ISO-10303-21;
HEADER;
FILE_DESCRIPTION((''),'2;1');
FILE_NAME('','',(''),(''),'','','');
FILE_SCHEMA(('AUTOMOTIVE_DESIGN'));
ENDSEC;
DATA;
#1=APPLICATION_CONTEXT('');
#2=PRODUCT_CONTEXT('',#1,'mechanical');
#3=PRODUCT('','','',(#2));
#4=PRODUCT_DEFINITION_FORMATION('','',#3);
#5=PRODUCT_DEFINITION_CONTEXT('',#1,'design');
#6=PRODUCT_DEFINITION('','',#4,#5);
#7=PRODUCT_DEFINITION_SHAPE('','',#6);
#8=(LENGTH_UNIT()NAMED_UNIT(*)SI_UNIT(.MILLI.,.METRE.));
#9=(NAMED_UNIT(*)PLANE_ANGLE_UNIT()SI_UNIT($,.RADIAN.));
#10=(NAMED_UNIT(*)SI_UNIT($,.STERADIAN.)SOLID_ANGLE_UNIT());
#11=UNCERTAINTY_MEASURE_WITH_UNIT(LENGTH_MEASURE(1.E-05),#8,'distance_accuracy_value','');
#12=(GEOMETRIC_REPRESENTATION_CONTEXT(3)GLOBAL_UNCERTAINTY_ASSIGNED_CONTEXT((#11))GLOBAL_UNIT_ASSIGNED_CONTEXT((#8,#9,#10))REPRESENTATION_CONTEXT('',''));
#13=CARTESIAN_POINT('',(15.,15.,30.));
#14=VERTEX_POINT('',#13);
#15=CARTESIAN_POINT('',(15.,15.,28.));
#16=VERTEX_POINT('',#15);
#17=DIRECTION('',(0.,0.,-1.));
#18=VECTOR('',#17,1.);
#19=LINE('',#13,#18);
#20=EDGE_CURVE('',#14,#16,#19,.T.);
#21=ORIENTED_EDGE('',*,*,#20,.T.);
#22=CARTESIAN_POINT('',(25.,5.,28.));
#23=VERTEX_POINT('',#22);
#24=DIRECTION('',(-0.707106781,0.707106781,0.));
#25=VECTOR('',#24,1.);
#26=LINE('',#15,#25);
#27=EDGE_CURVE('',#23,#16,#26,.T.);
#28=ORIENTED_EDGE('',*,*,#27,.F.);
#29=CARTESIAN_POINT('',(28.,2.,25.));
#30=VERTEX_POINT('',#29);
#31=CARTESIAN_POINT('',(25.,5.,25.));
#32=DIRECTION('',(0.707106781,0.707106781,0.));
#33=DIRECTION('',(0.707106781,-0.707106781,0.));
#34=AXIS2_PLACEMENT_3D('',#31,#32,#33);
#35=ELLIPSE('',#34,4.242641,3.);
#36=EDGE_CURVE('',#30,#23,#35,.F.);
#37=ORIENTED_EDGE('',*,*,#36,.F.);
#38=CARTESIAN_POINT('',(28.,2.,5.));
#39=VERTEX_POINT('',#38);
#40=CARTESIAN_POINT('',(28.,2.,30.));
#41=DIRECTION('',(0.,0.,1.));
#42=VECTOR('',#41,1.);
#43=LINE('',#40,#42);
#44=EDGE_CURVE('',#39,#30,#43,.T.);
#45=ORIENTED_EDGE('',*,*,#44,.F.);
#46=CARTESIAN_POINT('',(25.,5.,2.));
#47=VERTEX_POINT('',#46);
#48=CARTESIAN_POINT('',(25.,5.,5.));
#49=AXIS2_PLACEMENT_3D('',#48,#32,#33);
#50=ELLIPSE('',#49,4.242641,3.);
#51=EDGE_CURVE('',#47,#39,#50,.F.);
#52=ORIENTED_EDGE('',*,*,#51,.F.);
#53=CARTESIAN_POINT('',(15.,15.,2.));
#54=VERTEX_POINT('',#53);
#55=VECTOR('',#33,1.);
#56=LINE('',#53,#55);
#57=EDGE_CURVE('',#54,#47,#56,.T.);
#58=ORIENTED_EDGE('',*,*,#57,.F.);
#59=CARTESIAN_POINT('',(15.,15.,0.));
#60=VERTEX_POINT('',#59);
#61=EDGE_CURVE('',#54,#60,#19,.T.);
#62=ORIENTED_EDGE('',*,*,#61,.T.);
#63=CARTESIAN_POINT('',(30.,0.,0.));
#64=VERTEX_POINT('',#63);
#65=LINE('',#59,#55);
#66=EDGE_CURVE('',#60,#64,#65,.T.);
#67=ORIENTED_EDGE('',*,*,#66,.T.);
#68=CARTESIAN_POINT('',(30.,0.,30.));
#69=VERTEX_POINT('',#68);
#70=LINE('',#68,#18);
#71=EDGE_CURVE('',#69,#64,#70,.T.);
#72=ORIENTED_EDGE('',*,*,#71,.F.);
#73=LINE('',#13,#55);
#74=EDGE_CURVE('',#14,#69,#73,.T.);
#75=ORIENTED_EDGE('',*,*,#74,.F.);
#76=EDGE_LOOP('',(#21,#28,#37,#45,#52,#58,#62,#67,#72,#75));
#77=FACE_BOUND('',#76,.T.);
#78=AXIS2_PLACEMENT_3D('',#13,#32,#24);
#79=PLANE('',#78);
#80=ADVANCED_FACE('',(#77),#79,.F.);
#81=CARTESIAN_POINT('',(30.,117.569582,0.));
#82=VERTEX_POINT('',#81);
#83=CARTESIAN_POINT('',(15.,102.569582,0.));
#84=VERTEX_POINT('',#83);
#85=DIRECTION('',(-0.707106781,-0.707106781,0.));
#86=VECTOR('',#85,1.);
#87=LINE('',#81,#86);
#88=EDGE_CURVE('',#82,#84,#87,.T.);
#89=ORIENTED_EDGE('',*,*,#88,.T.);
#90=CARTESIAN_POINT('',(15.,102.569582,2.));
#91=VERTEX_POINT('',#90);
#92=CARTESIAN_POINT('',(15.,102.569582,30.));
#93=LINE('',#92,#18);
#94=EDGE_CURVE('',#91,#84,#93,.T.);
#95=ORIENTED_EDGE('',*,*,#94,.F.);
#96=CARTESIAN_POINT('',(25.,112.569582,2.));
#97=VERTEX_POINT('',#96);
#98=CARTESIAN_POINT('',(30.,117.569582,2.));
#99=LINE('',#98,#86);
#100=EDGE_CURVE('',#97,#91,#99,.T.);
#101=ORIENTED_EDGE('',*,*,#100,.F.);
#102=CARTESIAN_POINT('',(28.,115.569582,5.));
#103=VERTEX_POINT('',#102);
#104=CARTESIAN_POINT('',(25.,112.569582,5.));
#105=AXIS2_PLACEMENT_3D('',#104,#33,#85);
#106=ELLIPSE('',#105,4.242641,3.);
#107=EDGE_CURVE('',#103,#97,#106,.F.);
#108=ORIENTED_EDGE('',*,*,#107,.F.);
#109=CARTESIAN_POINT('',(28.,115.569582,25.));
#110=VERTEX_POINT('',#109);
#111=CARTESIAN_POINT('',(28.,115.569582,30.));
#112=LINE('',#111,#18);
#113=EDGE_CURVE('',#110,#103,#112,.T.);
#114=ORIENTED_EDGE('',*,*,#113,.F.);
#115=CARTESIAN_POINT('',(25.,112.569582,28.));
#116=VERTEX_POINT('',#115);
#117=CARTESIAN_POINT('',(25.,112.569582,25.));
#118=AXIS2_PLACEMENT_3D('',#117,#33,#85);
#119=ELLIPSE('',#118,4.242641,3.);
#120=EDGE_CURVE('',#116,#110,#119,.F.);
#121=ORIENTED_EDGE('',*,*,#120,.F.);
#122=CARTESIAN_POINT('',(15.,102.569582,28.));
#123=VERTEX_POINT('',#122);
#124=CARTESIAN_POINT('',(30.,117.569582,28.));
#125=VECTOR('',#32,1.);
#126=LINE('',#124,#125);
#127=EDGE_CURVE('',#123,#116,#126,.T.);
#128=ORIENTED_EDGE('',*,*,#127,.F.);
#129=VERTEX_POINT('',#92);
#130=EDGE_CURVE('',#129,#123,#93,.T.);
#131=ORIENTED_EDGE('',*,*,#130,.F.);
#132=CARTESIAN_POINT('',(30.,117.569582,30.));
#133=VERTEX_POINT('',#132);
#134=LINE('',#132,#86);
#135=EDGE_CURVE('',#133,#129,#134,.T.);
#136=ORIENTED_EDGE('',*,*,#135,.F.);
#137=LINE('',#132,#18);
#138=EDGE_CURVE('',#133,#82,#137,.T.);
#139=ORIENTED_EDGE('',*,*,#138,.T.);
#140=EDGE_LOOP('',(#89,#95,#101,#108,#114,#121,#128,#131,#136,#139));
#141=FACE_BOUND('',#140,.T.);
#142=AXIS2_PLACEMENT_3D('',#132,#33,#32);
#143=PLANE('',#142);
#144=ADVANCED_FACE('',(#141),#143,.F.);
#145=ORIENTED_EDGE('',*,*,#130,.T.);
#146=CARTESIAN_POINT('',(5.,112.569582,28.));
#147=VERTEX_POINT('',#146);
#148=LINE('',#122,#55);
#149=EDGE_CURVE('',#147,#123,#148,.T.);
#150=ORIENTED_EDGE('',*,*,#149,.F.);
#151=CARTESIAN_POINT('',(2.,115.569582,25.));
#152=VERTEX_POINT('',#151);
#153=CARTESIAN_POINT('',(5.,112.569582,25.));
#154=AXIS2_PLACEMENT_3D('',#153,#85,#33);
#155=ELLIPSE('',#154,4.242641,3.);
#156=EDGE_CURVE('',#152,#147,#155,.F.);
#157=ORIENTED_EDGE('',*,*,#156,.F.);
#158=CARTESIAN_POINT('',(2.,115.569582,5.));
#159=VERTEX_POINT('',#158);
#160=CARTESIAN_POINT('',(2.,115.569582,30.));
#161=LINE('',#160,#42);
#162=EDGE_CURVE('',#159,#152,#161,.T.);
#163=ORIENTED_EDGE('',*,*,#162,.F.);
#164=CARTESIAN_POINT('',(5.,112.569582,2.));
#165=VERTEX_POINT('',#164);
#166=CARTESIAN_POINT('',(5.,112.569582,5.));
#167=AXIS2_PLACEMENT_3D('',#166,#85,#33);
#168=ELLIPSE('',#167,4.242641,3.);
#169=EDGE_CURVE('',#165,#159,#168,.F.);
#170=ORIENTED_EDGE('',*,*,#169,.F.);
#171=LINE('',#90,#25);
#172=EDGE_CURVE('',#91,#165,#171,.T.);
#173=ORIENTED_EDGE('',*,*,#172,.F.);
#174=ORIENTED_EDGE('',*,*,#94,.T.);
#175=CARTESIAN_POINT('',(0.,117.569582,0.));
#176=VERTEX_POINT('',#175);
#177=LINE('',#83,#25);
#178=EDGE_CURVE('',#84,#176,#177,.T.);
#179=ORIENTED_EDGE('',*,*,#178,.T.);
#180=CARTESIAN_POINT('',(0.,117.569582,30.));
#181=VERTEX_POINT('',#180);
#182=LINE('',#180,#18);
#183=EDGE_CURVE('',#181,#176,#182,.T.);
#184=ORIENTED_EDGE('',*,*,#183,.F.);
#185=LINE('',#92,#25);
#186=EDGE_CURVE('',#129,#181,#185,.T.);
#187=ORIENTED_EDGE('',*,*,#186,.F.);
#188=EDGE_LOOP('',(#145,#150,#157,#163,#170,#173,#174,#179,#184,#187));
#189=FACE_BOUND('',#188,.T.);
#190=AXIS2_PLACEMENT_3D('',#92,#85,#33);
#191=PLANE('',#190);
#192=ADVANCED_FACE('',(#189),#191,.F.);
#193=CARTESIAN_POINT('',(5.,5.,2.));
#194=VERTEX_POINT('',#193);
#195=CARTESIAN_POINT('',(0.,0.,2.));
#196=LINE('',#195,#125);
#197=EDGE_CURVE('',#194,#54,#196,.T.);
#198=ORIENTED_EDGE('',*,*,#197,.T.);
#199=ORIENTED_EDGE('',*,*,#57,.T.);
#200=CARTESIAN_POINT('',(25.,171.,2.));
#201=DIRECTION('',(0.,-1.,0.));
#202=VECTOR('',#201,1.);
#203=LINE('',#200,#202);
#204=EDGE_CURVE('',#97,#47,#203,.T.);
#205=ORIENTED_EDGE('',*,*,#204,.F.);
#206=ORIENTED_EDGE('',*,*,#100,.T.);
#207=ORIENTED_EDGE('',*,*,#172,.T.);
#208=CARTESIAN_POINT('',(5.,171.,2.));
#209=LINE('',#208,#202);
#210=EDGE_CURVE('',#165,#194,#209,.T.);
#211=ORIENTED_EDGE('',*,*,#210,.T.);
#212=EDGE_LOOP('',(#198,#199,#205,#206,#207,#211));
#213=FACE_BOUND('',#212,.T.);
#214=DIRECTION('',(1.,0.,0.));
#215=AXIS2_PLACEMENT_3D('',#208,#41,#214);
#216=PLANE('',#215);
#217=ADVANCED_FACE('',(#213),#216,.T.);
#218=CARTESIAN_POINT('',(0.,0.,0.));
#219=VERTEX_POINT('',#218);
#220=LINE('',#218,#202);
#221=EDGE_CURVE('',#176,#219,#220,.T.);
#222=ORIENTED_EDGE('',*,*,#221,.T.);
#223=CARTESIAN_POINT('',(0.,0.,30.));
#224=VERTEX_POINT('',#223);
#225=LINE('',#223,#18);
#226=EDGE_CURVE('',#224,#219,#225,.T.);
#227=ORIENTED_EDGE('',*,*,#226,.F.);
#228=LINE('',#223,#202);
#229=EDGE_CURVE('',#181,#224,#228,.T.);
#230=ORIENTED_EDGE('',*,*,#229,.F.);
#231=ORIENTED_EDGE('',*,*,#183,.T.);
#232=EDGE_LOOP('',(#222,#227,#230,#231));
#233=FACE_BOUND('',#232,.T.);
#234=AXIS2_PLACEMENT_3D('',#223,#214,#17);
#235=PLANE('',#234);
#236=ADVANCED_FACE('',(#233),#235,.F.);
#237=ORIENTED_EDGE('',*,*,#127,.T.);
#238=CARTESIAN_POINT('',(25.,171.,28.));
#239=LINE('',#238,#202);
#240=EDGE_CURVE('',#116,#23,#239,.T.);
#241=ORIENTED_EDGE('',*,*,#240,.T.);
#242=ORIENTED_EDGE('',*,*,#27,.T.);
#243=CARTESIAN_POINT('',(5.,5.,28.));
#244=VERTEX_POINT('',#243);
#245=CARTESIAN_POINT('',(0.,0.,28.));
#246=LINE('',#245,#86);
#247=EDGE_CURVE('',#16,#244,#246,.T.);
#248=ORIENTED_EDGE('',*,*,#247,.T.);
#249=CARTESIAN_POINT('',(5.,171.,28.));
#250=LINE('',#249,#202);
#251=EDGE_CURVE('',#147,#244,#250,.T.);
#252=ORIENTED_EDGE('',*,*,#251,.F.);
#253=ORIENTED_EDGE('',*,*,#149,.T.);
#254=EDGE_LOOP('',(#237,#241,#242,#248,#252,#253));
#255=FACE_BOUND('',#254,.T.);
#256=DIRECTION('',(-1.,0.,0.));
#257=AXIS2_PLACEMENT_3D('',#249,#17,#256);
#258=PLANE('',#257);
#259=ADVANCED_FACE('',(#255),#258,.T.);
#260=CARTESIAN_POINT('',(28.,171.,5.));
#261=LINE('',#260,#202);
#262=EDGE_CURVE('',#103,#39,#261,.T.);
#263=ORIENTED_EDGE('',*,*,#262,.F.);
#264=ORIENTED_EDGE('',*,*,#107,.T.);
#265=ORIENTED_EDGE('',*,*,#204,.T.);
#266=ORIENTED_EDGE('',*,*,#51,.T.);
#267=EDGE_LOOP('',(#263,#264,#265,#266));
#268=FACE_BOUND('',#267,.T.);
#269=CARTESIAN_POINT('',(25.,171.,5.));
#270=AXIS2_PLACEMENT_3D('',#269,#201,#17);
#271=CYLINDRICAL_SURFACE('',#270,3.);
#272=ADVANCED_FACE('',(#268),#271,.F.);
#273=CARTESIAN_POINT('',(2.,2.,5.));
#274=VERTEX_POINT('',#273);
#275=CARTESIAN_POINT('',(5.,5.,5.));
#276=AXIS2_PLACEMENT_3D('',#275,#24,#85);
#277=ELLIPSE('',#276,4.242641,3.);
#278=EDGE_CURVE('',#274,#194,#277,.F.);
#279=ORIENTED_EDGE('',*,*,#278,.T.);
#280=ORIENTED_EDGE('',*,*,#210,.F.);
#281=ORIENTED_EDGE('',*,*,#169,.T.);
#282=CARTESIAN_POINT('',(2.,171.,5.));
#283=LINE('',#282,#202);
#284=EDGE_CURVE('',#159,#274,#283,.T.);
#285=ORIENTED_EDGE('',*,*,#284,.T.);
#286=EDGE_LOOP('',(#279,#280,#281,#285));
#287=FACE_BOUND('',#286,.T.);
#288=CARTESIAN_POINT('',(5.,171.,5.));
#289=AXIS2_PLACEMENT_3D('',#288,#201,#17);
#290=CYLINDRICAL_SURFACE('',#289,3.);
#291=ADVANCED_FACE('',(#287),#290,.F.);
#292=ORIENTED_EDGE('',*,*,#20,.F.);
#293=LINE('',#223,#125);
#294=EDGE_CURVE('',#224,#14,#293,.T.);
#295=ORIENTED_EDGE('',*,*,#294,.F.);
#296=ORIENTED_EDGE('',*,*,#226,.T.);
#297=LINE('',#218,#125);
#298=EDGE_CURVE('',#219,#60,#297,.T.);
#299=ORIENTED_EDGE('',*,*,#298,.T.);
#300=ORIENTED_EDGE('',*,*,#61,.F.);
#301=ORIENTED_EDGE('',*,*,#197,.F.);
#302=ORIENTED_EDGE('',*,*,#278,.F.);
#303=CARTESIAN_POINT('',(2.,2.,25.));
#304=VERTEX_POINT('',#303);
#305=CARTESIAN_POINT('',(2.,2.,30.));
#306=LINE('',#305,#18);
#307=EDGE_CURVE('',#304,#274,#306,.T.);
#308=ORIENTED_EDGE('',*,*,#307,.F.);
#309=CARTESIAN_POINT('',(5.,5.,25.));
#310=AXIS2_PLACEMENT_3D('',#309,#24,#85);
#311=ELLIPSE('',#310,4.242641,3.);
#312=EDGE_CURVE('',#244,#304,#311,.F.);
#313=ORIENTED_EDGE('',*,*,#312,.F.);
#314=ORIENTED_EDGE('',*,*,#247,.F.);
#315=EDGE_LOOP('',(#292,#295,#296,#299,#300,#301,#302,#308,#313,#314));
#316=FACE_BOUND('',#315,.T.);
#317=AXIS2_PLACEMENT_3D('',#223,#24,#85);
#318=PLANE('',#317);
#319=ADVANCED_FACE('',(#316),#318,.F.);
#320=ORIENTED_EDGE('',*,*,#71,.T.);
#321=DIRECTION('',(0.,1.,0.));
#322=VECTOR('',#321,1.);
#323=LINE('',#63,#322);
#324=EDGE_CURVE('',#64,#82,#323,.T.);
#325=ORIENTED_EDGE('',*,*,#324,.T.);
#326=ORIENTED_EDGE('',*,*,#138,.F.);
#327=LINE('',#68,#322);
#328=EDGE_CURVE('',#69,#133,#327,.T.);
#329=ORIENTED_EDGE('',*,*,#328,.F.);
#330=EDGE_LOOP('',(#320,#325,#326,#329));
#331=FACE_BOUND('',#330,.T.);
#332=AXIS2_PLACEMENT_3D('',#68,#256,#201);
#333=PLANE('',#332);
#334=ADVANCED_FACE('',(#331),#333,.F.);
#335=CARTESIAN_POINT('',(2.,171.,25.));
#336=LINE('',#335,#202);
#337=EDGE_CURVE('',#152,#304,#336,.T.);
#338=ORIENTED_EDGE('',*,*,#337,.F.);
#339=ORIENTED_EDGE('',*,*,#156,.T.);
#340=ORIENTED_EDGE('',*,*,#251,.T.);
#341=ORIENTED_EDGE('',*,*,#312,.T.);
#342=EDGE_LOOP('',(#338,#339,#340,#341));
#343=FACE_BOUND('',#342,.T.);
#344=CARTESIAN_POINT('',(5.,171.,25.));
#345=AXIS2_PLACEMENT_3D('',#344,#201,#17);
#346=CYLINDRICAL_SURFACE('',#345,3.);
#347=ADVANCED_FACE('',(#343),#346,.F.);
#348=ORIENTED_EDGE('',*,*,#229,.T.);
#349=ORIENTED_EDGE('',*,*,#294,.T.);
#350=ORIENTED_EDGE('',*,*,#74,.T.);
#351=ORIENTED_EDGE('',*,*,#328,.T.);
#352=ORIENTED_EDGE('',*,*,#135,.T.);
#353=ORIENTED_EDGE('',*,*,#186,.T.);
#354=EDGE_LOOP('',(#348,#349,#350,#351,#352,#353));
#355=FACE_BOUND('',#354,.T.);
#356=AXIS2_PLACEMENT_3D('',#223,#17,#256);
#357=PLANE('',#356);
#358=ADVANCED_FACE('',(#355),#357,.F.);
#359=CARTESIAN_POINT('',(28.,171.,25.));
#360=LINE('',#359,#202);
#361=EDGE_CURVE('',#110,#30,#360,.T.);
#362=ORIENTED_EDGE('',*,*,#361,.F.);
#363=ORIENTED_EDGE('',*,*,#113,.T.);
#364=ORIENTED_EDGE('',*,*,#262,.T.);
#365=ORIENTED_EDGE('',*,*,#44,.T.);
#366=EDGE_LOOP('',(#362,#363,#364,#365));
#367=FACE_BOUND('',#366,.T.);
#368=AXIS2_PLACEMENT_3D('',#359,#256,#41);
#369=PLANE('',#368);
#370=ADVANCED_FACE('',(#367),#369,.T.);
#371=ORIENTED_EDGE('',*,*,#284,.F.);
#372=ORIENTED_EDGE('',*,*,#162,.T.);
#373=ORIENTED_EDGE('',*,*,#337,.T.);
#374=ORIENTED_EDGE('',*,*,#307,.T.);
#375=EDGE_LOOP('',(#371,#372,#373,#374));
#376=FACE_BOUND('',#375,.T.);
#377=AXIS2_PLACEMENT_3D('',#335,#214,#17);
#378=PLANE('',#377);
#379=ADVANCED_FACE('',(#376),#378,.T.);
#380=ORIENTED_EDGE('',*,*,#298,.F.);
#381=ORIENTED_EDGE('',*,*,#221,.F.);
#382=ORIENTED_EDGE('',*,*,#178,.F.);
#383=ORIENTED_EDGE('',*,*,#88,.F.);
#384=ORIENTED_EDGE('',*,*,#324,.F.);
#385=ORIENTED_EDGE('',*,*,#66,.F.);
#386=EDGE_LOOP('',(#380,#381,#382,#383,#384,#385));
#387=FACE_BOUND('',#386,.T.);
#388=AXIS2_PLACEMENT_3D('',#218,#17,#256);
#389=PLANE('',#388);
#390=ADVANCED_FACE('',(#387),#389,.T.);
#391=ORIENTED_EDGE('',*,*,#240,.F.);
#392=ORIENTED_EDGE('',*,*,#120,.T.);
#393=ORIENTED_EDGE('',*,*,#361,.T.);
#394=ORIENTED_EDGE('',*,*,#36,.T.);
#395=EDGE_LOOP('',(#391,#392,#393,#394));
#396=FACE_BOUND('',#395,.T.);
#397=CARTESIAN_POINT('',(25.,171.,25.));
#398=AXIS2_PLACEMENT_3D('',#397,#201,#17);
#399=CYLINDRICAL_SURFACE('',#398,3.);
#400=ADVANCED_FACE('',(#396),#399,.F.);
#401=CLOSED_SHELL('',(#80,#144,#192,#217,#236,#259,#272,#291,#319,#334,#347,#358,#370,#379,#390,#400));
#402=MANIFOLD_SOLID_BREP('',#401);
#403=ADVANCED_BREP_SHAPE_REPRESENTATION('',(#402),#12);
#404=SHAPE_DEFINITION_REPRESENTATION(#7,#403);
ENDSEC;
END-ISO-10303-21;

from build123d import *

# Parameters (mm, degrees)
BOSS_EXTRU_1_DEPTH      = 30
ENL_V_MAT_EXTRU_1_DEPTH = 171


with BuildPart() as part:
    # Esquisse1 → Boss.-Extru.1 (new body)
    with BuildSketch(Plane.XY):
        Polygon((0, 0), (0, 117.56958174), (15, 102.56958174), (30, 117.56958174), (30, 0), (15, 15), align=None)
    extrude(amount=BOSS_EXTRU_1_DEPTH)

    # Esquisse2 → Enlèv. mat.-Extru.1 (cut)
    with BuildSketch(Plane(origin=(0, 0, 0), x_dir=(1, 0, 0), z_dir=(0, 1, 0))):
        with BuildLine():
            Line((5, -28), (25, -28))
            ThreePointArc((25, -28), (27.121320344, -27.121320344), (28, -25))
            Line((28, -25), (28, -5))
            ThreePointArc((28, -5), (27.121320344, -2.878679656), (25, -2))
            Line((25, -2), (5, -2))
            ThreePointArc((5, -2), (2.878679656, -2.878679656), (2, -5))
            Line((2, -5), (2, -25))
            ThreePointArc((2, -25), (2.878679656, -27.121320344), (5, -28))
        make_face()
    extrude(amount=ENL_V_MAT_EXTRU_1_DEPTH, mode=Mode.SUBTRACT)


solid = part.part
